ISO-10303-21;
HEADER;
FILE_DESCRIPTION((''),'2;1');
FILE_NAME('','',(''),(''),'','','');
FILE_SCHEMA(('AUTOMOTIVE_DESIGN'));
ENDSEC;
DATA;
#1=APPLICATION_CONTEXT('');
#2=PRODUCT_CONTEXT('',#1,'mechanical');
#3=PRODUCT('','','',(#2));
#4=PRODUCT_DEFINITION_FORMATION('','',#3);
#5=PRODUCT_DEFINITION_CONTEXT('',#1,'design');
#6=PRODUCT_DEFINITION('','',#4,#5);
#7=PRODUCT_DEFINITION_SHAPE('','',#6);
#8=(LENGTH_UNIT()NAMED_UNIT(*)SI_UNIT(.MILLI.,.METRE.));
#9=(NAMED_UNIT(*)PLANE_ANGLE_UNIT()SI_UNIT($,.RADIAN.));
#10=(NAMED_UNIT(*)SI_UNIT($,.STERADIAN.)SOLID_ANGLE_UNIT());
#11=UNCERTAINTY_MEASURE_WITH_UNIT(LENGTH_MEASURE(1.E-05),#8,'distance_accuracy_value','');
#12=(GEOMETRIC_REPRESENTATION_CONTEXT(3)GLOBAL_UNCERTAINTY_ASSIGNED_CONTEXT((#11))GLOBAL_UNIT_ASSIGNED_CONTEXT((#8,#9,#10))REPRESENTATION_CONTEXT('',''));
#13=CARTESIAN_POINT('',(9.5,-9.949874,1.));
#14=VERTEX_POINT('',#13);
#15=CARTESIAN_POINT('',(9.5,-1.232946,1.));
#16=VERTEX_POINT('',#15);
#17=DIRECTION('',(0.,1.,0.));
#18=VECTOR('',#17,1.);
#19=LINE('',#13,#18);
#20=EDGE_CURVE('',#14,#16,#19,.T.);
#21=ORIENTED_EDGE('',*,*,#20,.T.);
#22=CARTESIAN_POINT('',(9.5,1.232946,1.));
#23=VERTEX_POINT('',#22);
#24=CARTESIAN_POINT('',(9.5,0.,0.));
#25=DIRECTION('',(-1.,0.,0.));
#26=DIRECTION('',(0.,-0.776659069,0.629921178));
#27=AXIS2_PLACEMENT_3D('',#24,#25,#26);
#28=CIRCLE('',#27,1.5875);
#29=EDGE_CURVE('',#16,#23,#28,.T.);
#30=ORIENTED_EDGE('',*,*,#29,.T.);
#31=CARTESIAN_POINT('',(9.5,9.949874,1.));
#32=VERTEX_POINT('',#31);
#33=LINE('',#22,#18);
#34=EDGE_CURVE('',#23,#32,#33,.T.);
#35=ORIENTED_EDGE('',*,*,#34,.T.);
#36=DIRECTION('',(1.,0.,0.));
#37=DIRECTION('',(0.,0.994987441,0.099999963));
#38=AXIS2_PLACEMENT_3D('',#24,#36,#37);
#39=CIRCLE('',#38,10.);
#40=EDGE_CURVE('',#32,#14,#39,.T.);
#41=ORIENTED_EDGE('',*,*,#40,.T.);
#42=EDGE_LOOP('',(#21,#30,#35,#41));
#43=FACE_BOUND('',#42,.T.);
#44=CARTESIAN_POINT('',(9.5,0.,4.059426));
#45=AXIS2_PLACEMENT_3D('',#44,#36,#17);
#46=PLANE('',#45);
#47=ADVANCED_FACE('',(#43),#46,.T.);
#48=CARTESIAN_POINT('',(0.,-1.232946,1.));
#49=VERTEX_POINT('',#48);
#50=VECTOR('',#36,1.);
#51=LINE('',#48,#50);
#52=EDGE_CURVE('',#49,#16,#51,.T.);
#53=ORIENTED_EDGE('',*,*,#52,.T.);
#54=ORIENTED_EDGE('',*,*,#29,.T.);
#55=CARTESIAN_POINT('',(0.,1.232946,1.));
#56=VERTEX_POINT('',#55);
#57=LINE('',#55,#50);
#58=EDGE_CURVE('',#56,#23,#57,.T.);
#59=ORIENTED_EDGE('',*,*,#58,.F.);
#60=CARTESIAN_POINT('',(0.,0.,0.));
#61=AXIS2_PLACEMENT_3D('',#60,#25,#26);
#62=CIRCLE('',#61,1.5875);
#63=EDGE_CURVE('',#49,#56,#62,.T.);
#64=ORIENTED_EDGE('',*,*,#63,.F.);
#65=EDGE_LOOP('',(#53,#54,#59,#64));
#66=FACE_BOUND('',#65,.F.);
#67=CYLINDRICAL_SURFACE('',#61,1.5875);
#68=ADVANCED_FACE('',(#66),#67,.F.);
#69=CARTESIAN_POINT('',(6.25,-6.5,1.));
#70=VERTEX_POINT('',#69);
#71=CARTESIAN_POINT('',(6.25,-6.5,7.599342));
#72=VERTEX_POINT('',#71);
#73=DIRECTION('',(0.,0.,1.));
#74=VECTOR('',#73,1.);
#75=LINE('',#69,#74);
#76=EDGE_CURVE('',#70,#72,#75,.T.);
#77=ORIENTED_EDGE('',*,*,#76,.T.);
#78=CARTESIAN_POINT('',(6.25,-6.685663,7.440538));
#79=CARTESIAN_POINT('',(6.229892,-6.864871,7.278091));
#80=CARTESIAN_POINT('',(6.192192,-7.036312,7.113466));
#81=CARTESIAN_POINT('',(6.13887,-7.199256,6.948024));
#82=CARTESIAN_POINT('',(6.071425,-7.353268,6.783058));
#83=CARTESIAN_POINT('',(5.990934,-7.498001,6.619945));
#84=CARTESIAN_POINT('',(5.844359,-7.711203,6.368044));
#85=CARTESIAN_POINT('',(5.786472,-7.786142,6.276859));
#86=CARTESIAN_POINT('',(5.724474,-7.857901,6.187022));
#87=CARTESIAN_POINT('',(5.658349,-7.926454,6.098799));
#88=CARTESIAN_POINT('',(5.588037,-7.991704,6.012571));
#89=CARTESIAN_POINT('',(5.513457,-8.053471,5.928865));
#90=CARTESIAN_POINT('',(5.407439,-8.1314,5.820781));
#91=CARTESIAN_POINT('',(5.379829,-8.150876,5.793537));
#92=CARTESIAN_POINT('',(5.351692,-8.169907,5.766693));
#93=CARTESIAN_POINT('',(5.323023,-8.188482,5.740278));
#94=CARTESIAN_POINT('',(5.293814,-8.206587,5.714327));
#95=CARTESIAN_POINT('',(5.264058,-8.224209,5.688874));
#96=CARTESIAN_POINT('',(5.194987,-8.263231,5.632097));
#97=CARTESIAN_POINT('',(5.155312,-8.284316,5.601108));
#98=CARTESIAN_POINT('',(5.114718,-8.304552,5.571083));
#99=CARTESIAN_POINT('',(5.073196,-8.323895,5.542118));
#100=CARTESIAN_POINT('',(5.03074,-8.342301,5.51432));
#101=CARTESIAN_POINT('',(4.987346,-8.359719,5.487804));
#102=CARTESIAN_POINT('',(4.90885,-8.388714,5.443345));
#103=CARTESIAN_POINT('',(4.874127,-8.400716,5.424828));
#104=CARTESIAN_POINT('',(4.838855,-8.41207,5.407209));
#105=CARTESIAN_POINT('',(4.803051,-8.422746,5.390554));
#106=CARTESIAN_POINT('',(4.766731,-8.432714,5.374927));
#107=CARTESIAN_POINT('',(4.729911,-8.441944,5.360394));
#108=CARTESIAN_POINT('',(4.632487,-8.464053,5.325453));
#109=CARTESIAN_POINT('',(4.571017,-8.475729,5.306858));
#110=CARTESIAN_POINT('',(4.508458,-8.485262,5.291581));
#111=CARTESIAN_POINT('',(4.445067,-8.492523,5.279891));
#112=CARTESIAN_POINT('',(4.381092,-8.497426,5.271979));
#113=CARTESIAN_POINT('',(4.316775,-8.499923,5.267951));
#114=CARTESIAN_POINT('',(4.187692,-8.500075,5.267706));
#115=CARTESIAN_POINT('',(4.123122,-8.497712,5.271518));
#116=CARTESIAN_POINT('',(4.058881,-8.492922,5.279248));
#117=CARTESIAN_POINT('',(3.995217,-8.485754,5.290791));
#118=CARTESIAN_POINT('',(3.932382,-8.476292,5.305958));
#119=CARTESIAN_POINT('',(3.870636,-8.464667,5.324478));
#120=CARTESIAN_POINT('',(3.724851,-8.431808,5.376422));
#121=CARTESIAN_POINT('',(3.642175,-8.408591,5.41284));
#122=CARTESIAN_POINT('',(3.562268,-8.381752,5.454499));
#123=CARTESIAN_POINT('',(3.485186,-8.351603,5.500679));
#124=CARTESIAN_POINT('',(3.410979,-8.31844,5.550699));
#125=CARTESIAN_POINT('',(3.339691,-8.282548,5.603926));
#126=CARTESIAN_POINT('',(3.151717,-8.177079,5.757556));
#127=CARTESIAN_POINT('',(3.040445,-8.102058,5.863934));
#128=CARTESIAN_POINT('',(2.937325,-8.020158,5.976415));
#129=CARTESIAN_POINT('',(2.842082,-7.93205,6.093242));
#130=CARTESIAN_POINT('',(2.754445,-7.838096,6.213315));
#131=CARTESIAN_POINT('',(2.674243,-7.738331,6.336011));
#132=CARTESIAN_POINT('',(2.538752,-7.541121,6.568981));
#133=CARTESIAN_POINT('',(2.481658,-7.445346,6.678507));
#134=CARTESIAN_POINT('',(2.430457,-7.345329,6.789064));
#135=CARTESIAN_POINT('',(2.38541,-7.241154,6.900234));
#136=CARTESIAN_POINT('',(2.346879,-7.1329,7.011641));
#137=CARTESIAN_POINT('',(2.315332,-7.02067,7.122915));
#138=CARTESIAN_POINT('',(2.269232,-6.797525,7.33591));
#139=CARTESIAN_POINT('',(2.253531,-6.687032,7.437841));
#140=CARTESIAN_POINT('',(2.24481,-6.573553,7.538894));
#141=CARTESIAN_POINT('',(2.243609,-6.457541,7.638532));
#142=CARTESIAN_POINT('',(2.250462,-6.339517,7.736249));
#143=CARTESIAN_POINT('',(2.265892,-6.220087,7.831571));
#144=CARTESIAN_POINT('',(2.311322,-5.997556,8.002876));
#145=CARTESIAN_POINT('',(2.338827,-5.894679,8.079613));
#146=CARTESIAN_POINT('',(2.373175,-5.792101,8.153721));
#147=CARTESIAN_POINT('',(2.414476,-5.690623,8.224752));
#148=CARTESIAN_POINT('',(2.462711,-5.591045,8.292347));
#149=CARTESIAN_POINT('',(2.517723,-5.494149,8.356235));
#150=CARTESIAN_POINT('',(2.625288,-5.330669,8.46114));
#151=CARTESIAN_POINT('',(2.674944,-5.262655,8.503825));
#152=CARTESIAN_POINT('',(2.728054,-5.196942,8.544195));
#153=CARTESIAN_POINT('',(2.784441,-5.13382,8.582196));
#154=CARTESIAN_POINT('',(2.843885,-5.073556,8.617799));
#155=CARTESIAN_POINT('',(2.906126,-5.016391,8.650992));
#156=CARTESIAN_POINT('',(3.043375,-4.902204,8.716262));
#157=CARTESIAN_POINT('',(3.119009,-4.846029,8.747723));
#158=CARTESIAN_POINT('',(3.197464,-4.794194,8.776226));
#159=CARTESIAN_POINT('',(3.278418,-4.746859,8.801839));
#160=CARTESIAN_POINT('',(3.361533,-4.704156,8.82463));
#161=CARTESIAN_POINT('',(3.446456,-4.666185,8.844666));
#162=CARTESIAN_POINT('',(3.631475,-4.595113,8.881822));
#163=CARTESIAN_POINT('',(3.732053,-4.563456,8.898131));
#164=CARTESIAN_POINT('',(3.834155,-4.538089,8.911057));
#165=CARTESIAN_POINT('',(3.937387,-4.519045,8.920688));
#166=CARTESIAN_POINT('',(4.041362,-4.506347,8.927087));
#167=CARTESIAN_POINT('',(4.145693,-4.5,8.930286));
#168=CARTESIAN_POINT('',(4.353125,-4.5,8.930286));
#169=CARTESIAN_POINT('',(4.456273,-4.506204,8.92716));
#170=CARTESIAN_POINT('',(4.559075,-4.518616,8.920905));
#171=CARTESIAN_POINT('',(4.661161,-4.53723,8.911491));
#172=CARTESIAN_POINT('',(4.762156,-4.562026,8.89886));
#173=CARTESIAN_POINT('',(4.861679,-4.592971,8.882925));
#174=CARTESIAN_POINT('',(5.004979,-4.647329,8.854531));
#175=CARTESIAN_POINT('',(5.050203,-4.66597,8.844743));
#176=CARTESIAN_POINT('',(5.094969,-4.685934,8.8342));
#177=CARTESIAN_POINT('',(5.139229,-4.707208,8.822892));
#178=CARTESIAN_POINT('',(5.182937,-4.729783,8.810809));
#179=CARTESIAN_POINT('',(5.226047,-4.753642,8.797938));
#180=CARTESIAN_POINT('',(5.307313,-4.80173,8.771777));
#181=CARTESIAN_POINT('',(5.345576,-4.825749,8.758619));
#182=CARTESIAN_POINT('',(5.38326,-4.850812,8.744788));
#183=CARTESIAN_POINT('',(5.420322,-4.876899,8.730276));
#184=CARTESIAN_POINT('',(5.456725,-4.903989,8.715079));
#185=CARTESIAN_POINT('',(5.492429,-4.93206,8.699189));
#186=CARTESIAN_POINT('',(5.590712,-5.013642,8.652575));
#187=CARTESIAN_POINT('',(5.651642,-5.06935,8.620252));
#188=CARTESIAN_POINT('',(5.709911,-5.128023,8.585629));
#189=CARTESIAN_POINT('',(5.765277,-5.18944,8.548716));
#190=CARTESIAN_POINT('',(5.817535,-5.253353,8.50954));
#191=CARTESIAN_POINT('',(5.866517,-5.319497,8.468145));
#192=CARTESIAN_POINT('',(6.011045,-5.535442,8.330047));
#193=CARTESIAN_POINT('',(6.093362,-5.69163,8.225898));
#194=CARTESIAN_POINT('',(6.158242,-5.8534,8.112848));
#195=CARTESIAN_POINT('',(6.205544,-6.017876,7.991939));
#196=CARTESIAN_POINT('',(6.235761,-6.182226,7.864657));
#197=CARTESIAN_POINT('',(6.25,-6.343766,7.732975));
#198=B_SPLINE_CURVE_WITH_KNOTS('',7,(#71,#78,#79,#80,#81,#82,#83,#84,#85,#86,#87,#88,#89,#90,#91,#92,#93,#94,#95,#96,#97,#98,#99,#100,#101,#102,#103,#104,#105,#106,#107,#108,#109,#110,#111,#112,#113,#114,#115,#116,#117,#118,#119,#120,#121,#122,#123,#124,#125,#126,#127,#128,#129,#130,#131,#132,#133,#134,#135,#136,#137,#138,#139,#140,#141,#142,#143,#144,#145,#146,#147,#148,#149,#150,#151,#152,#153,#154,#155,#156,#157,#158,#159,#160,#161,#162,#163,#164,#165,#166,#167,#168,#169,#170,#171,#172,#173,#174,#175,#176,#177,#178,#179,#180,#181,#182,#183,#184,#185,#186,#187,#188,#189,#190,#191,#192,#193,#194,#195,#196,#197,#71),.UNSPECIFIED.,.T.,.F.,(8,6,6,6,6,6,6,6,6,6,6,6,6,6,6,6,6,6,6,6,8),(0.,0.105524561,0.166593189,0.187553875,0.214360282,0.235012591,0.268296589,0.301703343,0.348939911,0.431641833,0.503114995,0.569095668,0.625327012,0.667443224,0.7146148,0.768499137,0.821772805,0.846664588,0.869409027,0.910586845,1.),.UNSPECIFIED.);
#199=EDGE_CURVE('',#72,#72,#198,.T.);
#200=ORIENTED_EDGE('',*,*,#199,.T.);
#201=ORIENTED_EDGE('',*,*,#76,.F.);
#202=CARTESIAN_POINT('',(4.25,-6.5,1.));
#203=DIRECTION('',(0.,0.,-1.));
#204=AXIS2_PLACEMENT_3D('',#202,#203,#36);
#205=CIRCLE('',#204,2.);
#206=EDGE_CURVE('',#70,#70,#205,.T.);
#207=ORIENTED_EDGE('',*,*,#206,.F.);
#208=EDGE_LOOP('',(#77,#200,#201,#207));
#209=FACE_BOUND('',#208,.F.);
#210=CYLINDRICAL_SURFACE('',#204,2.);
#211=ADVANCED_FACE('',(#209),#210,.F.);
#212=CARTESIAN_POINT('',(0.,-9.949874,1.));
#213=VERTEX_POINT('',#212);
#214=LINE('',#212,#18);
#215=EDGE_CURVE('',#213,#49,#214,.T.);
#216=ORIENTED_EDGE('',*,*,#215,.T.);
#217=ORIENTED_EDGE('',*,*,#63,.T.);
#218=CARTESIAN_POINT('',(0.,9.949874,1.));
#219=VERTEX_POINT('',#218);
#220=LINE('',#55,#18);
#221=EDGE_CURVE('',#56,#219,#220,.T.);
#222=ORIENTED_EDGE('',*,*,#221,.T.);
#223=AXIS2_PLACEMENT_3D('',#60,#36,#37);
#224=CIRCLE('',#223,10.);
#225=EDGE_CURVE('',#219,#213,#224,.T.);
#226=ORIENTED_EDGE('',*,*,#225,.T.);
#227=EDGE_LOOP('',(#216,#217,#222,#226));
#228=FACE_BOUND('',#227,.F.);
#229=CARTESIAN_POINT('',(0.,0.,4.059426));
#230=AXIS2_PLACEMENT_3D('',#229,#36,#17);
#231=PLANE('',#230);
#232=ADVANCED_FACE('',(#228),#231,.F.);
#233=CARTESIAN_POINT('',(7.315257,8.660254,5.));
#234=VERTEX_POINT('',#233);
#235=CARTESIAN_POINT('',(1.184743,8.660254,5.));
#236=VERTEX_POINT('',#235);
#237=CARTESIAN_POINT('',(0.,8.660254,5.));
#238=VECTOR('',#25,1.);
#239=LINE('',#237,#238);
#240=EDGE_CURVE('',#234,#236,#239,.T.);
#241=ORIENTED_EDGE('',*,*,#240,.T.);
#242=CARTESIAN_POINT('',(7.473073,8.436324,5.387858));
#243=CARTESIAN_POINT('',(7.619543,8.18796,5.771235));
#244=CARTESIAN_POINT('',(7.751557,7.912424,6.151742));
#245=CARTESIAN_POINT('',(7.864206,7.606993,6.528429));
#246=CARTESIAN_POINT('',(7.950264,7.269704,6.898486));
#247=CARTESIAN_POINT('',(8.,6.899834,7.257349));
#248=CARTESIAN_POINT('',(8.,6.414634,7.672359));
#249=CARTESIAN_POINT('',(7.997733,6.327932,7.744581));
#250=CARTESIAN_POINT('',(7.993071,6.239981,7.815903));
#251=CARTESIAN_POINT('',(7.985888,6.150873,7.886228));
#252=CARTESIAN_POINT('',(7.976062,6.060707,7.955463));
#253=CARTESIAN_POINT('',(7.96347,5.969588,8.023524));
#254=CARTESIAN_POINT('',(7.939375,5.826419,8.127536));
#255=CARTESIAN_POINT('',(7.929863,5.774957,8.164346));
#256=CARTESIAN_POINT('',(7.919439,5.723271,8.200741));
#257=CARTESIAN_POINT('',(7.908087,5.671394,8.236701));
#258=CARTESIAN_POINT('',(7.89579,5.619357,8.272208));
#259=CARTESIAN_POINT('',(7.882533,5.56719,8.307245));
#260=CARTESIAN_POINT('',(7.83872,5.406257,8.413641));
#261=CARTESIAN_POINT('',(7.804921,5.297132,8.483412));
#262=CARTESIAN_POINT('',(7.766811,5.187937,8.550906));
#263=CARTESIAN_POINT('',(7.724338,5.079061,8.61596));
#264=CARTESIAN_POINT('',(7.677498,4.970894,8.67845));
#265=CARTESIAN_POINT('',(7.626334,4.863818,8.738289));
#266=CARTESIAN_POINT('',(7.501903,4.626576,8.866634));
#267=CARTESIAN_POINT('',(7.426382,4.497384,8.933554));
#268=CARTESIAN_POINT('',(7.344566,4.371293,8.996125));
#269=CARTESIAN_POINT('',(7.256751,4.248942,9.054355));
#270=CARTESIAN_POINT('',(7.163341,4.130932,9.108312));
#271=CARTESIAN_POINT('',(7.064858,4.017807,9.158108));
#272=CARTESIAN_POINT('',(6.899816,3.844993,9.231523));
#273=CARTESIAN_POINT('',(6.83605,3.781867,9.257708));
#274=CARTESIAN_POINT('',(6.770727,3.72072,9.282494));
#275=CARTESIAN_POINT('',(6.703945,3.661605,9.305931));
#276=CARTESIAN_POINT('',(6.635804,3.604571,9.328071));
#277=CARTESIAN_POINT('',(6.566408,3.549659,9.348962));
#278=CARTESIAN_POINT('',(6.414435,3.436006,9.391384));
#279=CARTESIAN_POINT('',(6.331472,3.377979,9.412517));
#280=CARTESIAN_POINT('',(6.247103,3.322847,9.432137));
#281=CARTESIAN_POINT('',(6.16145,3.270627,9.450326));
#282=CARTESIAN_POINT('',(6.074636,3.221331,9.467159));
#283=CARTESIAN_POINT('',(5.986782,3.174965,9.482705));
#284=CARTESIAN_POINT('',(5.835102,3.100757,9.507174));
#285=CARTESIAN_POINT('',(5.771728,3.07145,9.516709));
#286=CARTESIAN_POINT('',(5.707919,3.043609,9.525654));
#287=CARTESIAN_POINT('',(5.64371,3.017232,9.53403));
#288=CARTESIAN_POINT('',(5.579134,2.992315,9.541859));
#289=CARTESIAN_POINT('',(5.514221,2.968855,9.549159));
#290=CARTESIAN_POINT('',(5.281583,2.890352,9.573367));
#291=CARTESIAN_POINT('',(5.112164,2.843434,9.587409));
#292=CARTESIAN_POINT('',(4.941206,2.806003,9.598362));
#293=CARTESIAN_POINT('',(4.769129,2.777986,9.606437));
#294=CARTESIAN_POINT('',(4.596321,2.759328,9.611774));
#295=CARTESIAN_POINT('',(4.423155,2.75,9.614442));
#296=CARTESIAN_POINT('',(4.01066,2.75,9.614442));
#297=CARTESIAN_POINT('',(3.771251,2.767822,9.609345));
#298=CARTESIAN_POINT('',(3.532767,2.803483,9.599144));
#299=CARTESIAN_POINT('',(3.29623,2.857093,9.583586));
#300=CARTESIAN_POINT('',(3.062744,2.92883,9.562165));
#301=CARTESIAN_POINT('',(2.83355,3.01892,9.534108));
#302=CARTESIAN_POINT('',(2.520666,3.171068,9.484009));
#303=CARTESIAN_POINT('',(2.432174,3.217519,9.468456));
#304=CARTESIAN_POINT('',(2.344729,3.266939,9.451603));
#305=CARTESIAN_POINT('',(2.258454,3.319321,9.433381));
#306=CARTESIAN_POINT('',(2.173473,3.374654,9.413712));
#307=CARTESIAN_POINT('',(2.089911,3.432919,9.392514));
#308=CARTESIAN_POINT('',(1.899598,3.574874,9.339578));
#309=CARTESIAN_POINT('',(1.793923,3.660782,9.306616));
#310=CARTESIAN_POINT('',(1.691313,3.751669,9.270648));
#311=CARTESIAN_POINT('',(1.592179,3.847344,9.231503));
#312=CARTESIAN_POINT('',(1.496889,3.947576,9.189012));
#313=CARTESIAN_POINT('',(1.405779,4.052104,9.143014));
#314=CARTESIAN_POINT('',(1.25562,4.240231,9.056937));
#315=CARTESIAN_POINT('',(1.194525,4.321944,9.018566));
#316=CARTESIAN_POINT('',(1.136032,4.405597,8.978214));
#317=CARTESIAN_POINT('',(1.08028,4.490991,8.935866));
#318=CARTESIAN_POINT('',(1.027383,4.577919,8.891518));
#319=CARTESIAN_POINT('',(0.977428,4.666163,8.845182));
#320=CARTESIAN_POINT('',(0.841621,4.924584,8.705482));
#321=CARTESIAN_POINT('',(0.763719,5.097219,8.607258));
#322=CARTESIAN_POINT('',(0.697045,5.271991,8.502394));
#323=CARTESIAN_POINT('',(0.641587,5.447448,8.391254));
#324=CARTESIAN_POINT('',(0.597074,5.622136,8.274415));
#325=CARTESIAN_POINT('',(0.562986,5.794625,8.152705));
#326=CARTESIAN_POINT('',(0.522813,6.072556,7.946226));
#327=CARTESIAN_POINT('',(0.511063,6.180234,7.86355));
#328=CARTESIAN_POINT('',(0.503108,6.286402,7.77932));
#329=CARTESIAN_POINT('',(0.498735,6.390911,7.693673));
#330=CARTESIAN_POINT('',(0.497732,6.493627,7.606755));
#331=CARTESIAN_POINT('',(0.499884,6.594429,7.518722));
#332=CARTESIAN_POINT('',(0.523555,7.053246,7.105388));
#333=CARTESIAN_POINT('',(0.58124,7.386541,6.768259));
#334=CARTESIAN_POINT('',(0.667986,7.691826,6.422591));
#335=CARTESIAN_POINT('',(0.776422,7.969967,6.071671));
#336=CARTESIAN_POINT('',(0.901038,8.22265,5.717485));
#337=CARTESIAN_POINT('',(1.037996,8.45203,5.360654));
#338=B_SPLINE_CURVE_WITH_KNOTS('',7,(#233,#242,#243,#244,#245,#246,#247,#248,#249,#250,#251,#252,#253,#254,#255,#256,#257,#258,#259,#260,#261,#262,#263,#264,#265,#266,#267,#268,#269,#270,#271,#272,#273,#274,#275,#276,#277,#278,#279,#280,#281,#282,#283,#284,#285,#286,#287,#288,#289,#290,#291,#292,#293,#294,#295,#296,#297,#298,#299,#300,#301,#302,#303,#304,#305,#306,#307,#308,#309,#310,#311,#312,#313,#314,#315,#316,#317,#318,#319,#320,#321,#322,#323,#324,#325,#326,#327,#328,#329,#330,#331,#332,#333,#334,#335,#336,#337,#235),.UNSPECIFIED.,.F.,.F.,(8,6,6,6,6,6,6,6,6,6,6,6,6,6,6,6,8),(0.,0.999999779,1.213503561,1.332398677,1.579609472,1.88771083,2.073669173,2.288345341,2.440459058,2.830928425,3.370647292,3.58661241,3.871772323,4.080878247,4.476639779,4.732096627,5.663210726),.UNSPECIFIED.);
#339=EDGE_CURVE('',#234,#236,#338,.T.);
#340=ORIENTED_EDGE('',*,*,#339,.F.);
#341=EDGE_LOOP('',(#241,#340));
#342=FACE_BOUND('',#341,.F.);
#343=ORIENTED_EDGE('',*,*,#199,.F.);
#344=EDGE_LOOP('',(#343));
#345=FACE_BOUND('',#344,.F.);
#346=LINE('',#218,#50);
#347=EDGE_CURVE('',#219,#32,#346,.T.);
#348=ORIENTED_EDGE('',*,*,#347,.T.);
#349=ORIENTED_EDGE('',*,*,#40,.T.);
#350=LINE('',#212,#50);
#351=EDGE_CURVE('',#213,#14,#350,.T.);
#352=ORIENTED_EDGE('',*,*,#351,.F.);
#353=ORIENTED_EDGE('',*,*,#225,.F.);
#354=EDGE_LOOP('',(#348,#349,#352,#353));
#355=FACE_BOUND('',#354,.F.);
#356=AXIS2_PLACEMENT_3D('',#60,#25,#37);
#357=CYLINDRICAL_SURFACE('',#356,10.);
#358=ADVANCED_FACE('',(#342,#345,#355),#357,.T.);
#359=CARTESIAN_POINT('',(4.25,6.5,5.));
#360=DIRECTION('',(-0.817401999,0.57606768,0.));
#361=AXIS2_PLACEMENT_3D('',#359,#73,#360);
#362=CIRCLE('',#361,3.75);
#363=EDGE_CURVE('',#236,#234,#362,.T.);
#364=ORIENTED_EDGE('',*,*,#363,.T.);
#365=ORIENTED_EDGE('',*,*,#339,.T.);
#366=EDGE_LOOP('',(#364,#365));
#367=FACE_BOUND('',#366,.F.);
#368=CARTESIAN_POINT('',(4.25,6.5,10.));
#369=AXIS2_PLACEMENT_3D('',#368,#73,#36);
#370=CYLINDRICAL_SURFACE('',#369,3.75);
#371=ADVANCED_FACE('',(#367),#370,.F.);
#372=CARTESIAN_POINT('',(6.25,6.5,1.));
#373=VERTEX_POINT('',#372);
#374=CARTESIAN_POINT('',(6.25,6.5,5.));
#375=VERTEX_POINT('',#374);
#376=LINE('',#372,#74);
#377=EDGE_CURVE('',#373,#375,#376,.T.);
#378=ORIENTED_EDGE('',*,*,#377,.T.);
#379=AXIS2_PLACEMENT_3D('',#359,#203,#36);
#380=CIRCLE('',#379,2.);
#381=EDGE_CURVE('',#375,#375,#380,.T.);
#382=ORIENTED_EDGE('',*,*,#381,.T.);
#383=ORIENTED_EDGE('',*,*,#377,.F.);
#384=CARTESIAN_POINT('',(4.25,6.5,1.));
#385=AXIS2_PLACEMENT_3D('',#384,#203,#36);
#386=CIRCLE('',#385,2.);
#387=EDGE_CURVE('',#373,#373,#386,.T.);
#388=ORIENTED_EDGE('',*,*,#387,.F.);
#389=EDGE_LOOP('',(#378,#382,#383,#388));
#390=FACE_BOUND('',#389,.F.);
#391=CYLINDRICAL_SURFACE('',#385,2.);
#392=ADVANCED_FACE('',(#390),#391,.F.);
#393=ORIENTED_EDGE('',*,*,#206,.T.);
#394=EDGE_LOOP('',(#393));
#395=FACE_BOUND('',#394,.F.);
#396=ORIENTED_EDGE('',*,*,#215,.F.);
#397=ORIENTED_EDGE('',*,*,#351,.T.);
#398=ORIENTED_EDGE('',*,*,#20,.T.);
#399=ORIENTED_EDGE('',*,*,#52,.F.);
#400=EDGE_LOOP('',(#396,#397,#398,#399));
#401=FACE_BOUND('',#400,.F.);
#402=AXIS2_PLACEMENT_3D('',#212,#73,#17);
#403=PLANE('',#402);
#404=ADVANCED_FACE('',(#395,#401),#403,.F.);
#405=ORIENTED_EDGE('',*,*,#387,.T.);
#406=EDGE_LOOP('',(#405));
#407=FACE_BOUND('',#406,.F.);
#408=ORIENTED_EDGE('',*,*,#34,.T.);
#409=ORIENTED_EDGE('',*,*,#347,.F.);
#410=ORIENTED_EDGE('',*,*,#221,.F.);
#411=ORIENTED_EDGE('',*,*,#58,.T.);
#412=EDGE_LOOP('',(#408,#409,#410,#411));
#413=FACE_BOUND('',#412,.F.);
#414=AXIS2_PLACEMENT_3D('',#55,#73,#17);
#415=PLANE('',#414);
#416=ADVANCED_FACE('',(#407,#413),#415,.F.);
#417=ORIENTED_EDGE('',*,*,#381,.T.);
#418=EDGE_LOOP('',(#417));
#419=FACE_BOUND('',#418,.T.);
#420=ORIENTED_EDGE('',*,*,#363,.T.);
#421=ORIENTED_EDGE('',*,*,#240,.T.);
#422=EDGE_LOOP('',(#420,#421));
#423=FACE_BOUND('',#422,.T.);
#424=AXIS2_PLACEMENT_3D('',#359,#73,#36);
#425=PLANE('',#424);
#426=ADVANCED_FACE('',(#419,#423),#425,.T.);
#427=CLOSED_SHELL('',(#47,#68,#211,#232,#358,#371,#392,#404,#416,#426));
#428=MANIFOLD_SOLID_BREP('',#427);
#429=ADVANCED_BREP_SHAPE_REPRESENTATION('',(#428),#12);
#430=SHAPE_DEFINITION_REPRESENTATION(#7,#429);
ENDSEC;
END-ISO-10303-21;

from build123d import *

# Parameters (mm, degrees)
F1_DEPTH = 9.5
F2_R     = 2
F3_DEPTH = 9.001
F5_R     = 3.75
F6_DEPTH = 5


with BuildPart() as f1:
    # F0 (on Right) → F1 (new body)
    with BuildSketch(Plane.YZ):
        with BuildLine():
            Line((1.232946, 1), (9.949874, 1))
            ThreePointArc((9.949874, 1), (0, 10), (-9.949874, 1))
            Line((-9.949874, 1), (-1.232946, 1))
            ThreePointArc((-1.232946, 1), (0, 1.5875), (1.232946, 1))
        make_face()
    extrude(amount=F1_DEPTH)

    # F2 (on face) → F3 (cut, through all)
    with BuildSketch(Plane(origin=(0, 0, 1), x_dir=(1, 0, 0), z_dir=(0, 0, -1))):
        with Locations((4.25, 6.5)):
            Circle(F2_R)
        with Locations((4.25, -6.5)):
            Circle(F2_R)
    extrude(amount=-F3_DEPTH, mode=Mode.SUBTRACT)

    # F5 (on offset) → F6 (cut)
    with BuildSketch(Plane.XY.offset(10)):
        with Locations((4.25, 6.5)):
            Circle(F5_R)
    extrude(amount=-F6_DEPTH, mode=Mode.SUBTRACT)


solid = f1.part
